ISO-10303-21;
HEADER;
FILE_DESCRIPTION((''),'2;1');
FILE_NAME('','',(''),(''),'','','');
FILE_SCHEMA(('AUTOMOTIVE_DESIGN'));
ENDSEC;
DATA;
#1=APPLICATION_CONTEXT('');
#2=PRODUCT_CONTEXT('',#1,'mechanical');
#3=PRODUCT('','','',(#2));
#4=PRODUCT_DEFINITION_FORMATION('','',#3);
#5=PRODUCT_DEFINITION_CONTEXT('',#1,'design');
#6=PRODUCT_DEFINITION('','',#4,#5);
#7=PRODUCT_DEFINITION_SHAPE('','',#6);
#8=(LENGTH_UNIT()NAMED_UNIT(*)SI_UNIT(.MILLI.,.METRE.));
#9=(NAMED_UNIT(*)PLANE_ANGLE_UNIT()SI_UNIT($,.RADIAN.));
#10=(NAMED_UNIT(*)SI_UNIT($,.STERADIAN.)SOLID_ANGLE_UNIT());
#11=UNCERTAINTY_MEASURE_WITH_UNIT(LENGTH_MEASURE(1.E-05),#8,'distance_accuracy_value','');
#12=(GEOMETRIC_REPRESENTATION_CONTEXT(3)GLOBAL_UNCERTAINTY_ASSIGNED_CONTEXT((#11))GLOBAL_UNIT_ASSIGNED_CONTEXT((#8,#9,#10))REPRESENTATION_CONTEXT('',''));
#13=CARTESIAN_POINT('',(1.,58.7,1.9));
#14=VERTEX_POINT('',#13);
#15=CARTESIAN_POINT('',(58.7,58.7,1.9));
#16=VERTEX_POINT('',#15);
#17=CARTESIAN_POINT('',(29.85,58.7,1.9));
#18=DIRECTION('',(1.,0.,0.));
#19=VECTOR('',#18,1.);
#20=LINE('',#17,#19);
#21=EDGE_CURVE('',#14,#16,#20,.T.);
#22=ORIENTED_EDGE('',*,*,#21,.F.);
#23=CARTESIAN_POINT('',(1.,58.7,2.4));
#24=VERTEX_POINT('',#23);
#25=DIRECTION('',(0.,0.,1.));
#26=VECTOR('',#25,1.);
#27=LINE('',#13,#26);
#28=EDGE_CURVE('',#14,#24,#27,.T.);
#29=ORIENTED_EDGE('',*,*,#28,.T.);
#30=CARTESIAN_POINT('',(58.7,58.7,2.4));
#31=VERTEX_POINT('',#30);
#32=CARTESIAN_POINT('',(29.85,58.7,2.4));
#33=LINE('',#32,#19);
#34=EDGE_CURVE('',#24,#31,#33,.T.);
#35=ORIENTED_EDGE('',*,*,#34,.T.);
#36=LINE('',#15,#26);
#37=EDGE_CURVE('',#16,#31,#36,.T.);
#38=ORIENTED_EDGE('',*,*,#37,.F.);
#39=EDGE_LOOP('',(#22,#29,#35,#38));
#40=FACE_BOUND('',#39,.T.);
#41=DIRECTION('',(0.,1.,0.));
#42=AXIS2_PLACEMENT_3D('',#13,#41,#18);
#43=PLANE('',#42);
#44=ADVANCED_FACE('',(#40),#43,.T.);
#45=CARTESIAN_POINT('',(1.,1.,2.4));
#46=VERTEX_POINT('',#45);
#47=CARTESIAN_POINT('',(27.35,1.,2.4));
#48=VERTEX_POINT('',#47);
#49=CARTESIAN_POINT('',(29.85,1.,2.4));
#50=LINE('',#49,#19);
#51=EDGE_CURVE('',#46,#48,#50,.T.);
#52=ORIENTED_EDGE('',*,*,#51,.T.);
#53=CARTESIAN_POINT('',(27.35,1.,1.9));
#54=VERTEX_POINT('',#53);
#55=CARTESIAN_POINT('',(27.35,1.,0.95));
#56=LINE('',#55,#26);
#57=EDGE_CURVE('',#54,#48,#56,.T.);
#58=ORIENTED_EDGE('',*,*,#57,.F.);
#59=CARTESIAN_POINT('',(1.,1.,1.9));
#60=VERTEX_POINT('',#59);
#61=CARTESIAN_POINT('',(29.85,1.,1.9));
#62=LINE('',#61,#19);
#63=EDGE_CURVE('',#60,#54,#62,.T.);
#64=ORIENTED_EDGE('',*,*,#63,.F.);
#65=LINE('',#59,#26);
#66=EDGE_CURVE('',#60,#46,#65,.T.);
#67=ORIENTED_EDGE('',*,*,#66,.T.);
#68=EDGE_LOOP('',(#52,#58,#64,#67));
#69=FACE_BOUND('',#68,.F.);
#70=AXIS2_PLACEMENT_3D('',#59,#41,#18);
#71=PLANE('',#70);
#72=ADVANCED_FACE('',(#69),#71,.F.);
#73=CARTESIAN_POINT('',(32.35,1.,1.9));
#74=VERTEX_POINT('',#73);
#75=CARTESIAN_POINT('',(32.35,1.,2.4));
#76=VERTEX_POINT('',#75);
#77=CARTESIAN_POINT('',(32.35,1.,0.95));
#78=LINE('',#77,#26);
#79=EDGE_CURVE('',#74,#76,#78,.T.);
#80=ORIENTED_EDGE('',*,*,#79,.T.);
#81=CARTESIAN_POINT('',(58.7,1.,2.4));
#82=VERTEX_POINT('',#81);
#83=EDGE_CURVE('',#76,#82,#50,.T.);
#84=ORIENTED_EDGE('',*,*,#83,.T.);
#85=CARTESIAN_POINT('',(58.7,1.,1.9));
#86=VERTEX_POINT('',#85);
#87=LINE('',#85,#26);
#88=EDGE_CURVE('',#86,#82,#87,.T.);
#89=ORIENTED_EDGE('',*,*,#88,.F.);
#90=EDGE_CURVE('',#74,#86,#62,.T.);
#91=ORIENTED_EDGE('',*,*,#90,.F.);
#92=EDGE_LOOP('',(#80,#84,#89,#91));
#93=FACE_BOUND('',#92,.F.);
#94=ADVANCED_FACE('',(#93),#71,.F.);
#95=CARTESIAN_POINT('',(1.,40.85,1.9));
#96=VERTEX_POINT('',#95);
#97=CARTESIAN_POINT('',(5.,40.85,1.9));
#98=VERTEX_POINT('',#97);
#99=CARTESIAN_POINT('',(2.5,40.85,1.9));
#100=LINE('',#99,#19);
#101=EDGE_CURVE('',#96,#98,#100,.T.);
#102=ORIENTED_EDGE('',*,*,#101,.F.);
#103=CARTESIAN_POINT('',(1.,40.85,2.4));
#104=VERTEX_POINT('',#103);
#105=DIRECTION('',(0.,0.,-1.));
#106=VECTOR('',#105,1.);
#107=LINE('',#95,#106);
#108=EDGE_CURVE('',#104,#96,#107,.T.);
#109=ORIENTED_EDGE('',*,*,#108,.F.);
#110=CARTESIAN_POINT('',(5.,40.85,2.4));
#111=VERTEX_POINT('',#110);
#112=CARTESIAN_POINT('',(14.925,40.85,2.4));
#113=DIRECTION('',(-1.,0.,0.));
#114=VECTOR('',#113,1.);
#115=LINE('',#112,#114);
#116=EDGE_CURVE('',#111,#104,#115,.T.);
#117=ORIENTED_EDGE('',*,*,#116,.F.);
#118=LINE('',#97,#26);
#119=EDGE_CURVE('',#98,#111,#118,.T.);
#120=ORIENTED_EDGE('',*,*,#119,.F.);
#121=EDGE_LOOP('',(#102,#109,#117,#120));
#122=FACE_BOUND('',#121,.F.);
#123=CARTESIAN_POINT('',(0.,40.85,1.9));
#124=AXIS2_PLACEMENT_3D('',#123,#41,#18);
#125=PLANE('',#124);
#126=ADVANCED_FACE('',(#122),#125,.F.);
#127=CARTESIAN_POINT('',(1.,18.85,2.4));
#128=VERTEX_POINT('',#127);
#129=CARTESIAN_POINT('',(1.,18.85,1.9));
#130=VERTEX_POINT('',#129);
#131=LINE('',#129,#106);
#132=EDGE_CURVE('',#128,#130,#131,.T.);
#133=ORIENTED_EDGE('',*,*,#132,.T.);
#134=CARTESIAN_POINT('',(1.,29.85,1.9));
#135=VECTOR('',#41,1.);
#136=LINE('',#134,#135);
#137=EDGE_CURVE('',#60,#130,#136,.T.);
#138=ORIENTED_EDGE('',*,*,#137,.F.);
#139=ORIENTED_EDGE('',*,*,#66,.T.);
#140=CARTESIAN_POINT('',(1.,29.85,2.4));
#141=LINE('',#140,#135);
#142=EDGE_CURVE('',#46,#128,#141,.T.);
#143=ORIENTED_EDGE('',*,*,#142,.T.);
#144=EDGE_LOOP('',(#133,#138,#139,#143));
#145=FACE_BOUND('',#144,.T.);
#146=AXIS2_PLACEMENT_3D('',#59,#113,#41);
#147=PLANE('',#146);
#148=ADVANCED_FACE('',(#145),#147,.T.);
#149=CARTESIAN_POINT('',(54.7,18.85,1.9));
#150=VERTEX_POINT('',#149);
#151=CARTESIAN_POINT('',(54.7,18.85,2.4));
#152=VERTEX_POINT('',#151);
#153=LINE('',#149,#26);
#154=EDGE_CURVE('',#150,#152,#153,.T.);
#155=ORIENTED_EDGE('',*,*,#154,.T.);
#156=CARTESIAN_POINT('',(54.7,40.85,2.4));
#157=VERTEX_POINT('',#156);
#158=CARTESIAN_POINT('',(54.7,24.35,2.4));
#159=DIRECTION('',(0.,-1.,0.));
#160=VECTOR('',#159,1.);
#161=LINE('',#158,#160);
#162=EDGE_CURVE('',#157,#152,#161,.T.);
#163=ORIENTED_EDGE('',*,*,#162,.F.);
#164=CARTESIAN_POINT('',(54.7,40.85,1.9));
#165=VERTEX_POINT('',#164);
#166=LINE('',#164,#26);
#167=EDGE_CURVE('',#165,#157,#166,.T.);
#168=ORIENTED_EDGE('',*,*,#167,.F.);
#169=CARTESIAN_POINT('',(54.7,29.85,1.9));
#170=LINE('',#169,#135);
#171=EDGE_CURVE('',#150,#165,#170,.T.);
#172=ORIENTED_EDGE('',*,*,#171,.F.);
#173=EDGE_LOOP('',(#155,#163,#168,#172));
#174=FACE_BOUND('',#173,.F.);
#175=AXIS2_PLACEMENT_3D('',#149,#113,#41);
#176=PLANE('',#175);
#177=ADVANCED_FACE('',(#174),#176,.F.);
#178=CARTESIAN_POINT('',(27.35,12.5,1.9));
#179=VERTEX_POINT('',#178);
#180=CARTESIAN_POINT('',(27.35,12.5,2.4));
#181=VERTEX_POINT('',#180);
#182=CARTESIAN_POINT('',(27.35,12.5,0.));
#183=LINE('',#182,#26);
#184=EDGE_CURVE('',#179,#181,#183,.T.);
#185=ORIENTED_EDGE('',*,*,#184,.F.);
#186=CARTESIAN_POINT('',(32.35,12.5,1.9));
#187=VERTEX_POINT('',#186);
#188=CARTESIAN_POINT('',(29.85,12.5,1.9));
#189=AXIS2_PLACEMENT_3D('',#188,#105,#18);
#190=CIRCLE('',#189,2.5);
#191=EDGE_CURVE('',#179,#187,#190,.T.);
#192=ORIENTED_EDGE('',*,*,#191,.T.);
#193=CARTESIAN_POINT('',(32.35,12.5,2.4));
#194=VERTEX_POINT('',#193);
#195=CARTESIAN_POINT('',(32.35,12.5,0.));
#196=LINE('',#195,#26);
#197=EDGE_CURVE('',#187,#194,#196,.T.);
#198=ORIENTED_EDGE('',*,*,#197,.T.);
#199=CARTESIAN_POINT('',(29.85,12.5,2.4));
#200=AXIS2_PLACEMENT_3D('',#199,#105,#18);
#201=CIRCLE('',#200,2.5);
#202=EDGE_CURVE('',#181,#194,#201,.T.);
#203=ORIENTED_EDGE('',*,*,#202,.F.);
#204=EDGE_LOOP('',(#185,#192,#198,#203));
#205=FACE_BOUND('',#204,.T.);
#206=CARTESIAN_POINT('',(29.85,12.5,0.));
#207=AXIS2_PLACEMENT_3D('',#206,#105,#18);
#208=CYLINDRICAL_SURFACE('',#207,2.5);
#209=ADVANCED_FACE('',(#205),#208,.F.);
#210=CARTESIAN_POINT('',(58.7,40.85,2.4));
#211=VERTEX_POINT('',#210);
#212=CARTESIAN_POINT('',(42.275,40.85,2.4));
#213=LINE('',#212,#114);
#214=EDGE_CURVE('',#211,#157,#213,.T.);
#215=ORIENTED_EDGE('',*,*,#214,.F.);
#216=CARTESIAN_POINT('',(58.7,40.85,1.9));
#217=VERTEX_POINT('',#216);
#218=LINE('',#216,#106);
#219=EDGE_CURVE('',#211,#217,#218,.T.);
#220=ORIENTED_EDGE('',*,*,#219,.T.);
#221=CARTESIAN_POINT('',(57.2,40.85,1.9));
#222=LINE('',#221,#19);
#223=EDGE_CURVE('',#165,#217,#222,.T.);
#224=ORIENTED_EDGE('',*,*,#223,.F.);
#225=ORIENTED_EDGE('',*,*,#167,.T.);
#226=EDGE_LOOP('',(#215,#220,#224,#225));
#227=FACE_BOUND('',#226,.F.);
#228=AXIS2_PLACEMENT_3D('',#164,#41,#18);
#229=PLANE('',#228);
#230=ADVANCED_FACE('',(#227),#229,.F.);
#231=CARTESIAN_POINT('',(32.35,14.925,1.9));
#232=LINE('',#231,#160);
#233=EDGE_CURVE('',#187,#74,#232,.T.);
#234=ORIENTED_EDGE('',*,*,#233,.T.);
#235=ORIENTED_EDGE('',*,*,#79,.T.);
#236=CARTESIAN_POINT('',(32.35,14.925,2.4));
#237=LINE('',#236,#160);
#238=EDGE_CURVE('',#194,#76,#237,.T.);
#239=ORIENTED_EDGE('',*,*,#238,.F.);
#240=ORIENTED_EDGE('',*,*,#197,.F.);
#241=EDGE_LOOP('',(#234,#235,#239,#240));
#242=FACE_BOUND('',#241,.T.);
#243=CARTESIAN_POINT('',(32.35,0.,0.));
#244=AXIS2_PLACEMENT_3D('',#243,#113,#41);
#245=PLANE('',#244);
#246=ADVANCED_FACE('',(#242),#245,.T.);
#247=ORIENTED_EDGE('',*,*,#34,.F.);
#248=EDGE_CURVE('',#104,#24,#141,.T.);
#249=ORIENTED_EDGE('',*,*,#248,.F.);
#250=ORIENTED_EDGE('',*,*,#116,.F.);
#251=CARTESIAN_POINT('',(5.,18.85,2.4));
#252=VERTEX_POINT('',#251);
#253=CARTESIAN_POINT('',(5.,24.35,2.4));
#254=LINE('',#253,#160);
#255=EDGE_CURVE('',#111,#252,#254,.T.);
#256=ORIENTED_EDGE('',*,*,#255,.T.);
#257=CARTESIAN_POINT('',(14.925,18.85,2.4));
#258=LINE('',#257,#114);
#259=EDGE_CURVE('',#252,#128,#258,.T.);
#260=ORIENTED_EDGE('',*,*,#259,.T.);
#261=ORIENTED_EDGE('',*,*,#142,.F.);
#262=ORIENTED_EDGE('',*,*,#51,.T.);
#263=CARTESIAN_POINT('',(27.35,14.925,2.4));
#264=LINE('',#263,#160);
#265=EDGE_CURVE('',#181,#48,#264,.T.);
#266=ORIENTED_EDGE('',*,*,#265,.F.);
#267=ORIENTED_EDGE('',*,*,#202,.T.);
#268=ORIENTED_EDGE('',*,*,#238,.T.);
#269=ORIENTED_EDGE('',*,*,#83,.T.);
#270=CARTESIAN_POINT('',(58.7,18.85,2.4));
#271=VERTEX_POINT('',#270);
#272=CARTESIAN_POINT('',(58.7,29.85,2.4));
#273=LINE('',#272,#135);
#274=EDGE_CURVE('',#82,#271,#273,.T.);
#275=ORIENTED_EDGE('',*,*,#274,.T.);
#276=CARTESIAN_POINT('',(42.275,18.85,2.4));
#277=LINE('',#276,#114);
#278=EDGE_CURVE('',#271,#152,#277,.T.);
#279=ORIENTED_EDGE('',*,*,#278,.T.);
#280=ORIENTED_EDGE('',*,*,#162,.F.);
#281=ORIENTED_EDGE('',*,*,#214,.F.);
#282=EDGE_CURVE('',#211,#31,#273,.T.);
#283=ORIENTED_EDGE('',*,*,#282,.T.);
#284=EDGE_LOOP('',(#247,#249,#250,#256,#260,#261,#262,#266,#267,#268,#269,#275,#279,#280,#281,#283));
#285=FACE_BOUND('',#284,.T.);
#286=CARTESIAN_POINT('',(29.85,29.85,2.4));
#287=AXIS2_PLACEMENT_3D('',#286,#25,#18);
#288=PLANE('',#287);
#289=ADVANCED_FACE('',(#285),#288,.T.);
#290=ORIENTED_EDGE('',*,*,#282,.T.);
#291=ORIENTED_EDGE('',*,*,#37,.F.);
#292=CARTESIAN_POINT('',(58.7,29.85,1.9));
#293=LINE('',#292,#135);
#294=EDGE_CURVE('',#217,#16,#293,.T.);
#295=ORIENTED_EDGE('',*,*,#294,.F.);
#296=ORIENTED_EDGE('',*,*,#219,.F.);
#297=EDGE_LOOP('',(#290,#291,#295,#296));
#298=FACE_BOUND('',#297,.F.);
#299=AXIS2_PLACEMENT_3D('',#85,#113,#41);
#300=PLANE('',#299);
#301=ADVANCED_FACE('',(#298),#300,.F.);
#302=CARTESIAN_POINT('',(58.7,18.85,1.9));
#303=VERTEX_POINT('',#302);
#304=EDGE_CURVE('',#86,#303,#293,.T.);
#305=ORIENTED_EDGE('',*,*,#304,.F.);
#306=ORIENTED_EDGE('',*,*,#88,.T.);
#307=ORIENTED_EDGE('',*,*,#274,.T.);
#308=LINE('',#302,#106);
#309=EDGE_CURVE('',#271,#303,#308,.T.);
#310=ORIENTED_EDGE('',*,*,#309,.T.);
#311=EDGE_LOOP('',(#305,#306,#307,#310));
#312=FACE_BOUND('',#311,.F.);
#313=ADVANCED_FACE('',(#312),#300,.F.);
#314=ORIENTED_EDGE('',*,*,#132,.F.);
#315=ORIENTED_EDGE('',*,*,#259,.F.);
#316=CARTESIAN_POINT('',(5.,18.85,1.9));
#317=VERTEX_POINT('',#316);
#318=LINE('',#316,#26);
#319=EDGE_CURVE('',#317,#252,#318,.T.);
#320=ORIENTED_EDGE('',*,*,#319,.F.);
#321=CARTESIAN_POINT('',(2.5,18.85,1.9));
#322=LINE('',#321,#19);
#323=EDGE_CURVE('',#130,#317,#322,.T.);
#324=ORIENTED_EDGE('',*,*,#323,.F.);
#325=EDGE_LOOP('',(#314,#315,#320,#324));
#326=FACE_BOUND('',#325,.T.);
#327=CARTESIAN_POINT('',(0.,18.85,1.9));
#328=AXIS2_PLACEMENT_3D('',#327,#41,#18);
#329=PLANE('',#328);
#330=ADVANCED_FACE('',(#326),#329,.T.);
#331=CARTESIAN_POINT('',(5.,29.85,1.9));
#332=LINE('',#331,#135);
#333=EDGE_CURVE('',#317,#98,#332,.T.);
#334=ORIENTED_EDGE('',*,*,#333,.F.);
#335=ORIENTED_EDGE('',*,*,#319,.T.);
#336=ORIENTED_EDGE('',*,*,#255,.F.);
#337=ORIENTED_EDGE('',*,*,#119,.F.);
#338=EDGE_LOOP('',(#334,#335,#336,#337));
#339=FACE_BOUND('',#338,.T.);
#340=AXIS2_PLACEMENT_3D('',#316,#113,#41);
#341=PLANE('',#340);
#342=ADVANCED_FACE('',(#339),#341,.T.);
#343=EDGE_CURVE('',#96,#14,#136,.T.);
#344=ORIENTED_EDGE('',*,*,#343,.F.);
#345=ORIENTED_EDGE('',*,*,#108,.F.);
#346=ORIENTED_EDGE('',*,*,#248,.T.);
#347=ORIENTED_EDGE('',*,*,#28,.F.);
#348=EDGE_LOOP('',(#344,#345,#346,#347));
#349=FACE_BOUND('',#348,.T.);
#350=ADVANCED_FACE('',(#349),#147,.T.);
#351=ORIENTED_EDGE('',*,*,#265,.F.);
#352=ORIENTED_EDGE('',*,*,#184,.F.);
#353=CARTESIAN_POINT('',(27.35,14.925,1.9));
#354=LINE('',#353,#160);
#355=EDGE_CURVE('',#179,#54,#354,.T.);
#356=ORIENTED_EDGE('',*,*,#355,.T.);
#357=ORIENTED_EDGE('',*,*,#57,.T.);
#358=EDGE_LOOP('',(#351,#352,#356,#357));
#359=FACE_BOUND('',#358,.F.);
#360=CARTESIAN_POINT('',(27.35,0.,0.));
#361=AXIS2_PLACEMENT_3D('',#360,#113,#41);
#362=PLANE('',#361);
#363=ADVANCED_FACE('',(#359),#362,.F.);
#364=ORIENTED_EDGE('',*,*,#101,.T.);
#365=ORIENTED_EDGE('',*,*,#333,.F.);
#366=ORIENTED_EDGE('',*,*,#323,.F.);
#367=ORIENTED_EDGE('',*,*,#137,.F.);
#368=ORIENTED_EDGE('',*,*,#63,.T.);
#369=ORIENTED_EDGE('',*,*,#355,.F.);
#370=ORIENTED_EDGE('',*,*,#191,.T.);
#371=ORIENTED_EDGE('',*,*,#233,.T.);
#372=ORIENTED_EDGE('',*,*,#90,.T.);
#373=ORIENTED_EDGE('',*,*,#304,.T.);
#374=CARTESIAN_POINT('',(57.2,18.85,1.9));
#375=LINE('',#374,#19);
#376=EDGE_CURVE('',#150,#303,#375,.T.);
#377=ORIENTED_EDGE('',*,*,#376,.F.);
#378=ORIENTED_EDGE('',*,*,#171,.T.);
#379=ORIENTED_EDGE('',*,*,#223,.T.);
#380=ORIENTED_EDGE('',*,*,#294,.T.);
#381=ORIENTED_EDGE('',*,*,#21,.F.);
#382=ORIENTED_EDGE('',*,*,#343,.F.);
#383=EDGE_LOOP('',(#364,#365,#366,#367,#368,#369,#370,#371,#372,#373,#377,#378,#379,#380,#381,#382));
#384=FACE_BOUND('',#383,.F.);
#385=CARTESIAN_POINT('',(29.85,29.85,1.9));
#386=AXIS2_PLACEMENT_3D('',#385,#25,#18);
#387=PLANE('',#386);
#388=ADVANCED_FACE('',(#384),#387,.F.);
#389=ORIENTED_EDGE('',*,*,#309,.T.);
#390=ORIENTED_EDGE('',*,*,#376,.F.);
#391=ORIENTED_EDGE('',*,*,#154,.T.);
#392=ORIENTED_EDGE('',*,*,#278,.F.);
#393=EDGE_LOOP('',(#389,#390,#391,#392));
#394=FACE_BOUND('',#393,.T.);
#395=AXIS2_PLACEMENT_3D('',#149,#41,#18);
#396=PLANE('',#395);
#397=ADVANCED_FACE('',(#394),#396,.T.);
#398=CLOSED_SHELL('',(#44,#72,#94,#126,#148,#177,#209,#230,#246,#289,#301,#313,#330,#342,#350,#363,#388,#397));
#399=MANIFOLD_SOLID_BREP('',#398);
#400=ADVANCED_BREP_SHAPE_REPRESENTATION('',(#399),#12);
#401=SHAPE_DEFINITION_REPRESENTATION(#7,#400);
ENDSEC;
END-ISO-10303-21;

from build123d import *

# Parameters (mm, degrees)
BOX024_W          = 5
BOX024_H          = 12.5
BOX024_DEPTH      = 5
CYLINDER002_R     = 2.5
CYLINDER002_DEPTH = 5
BOX005_W          = 5
BOX005_H          = 22
BOX005_DEPTH      = 1.9
BOX004_W          = 5
BOX004_H          = 22
BOX004_DEPTH      = 1.9
BOX001_W          = 57.7
BOX001_H          = 57.7
BOX001_DEPTH      = 0.5


with BuildPart() as cube:
    # Box024 → Box024 (new body)
    with BuildSketch(Plane(origin=(27.35, 0, 0), x_dir=(1, 0, 0), z_dir=(0, 0, 1))):
        with Locations((2.5, 6.25)):
            Rectangle(BOX024_W, BOX024_H)
    extrude(amount=BOX024_DEPTH)


with BuildPart() as cylinder001:
    # Cylinder002 → Cylinder002 (new body)
    with BuildSketch(Plane(origin=(29.85, 12.5, 0), x_dir=(1, 0, 0), z_dir=(0, 0, 1))):
        Circle(CYLINDER002_R)
    extrude(amount=CYLINDER002_DEPTH)


with BuildPart() as box005:
    # Box005 → Box005 (new body)
    with BuildSketch(Plane(origin=(54.7, 18.85, 1.9), x_dir=(1, 0, 0), z_dir=(0, 0, 1))):
        with Locations((2.5, 11)):
            Rectangle(BOX005_W, BOX005_H)
    extrude(amount=BOX005_DEPTH)


with BuildPart() as box004:
    # Box004 → Box004 (new body)
    with BuildSketch(Plane(origin=(0, 18.85, 1.9), x_dir=(1, 0, 0), z_dir=(0, 0, 1))):
        with Locations((2.5, 11)):
            Rectangle(BOX004_W, BOX004_H)
    extrude(amount=BOX004_DEPTH)


with BuildPart() as cut008:
    # Box001 → Box001 (new body)
    with BuildSketch(Plane(origin=(1, 1, 1.9), x_dir=(1, 0, 0), z_dir=(0, 0, 1))):
        with Locations((28.85, 28.85)):
            Rectangle(BOX001_W, BOX001_H)
    extrude(amount=BOX001_DEPTH)

    # Cut003: cut Box004
    add(box004.part, mode=Mode.SUBTRACT)

    # Cut004: cut Box005
    add(box005.part, mode=Mode.SUBTRACT)

    # Cut007: cut Cylinder001
    add(cylinder001.part, mode=Mode.SUBTRACT)

    # Cut008: cut Cube
    add(cube.part, mode=Mode.SUBTRACT)


solid = cut008.part
